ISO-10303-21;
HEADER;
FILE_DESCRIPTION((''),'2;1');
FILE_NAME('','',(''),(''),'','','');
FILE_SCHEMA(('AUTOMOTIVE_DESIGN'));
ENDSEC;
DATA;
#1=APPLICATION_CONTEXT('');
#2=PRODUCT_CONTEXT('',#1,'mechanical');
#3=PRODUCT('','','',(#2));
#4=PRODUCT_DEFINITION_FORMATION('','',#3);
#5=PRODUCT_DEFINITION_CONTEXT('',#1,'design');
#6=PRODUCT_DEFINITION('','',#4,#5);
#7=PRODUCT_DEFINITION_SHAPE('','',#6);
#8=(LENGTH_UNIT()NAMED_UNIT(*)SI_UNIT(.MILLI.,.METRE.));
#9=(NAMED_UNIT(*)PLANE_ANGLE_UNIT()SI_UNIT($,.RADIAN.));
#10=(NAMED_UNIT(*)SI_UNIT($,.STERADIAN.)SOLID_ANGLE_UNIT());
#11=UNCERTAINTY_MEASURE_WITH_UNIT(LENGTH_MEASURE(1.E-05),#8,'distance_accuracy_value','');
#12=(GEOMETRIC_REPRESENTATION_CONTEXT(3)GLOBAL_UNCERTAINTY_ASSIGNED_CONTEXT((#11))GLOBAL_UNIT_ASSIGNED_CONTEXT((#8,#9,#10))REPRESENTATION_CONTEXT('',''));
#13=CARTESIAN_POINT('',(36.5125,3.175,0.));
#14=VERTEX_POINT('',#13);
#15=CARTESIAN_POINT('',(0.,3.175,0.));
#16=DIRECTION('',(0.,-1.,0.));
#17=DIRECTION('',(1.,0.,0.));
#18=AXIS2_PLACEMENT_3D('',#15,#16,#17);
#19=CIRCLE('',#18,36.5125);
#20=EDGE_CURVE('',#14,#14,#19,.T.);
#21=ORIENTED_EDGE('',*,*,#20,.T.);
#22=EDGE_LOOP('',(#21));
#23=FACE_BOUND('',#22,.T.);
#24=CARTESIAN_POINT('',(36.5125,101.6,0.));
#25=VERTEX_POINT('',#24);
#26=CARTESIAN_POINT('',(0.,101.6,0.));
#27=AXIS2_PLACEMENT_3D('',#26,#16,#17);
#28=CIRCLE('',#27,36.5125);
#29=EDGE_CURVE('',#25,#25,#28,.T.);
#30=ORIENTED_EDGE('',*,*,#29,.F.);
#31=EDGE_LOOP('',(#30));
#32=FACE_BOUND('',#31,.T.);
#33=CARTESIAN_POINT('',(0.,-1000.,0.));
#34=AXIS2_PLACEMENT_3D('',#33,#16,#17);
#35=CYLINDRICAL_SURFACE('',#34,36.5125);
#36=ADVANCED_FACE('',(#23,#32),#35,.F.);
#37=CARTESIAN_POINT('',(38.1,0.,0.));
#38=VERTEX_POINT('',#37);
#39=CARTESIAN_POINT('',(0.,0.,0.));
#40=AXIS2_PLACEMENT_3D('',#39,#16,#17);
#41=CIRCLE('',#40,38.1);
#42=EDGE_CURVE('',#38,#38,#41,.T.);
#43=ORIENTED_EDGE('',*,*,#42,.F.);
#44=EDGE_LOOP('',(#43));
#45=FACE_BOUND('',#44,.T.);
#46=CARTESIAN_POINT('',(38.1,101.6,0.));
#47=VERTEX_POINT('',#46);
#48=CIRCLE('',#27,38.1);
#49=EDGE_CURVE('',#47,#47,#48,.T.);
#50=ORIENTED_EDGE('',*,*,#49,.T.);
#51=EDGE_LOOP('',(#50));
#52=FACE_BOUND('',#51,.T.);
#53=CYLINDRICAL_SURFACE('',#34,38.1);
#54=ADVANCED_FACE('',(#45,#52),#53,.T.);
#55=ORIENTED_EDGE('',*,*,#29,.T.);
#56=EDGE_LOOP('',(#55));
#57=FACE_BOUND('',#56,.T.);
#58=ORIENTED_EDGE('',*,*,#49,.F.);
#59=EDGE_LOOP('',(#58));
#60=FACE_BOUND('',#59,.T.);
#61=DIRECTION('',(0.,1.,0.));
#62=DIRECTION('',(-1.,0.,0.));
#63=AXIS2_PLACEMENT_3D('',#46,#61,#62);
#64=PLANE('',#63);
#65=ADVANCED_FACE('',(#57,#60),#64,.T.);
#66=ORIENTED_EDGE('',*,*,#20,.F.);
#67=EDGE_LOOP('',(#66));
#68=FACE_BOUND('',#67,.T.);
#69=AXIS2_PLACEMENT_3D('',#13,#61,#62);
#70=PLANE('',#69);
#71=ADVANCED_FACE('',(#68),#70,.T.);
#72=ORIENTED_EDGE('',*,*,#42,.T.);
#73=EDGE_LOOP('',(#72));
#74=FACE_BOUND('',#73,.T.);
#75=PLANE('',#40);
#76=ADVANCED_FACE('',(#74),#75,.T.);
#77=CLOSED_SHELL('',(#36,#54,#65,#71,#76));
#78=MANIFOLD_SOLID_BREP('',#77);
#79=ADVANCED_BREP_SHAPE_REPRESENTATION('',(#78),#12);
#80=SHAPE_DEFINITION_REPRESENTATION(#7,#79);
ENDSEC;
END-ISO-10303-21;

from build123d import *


with BuildPart() as part:
    # Sketch1 → Revolve1 (revolve)
    with BuildSketch(Plane.XY):
        Polygon((36.5125, 101.6), (36.5125, 3.175), (0, 3.175), (0, 0), (38.1, 0), (38.1, 101.6), align=None)
    revolve(axis=Axis((0, -1000, 0), (0, 1, 0)))


solid = part.part
